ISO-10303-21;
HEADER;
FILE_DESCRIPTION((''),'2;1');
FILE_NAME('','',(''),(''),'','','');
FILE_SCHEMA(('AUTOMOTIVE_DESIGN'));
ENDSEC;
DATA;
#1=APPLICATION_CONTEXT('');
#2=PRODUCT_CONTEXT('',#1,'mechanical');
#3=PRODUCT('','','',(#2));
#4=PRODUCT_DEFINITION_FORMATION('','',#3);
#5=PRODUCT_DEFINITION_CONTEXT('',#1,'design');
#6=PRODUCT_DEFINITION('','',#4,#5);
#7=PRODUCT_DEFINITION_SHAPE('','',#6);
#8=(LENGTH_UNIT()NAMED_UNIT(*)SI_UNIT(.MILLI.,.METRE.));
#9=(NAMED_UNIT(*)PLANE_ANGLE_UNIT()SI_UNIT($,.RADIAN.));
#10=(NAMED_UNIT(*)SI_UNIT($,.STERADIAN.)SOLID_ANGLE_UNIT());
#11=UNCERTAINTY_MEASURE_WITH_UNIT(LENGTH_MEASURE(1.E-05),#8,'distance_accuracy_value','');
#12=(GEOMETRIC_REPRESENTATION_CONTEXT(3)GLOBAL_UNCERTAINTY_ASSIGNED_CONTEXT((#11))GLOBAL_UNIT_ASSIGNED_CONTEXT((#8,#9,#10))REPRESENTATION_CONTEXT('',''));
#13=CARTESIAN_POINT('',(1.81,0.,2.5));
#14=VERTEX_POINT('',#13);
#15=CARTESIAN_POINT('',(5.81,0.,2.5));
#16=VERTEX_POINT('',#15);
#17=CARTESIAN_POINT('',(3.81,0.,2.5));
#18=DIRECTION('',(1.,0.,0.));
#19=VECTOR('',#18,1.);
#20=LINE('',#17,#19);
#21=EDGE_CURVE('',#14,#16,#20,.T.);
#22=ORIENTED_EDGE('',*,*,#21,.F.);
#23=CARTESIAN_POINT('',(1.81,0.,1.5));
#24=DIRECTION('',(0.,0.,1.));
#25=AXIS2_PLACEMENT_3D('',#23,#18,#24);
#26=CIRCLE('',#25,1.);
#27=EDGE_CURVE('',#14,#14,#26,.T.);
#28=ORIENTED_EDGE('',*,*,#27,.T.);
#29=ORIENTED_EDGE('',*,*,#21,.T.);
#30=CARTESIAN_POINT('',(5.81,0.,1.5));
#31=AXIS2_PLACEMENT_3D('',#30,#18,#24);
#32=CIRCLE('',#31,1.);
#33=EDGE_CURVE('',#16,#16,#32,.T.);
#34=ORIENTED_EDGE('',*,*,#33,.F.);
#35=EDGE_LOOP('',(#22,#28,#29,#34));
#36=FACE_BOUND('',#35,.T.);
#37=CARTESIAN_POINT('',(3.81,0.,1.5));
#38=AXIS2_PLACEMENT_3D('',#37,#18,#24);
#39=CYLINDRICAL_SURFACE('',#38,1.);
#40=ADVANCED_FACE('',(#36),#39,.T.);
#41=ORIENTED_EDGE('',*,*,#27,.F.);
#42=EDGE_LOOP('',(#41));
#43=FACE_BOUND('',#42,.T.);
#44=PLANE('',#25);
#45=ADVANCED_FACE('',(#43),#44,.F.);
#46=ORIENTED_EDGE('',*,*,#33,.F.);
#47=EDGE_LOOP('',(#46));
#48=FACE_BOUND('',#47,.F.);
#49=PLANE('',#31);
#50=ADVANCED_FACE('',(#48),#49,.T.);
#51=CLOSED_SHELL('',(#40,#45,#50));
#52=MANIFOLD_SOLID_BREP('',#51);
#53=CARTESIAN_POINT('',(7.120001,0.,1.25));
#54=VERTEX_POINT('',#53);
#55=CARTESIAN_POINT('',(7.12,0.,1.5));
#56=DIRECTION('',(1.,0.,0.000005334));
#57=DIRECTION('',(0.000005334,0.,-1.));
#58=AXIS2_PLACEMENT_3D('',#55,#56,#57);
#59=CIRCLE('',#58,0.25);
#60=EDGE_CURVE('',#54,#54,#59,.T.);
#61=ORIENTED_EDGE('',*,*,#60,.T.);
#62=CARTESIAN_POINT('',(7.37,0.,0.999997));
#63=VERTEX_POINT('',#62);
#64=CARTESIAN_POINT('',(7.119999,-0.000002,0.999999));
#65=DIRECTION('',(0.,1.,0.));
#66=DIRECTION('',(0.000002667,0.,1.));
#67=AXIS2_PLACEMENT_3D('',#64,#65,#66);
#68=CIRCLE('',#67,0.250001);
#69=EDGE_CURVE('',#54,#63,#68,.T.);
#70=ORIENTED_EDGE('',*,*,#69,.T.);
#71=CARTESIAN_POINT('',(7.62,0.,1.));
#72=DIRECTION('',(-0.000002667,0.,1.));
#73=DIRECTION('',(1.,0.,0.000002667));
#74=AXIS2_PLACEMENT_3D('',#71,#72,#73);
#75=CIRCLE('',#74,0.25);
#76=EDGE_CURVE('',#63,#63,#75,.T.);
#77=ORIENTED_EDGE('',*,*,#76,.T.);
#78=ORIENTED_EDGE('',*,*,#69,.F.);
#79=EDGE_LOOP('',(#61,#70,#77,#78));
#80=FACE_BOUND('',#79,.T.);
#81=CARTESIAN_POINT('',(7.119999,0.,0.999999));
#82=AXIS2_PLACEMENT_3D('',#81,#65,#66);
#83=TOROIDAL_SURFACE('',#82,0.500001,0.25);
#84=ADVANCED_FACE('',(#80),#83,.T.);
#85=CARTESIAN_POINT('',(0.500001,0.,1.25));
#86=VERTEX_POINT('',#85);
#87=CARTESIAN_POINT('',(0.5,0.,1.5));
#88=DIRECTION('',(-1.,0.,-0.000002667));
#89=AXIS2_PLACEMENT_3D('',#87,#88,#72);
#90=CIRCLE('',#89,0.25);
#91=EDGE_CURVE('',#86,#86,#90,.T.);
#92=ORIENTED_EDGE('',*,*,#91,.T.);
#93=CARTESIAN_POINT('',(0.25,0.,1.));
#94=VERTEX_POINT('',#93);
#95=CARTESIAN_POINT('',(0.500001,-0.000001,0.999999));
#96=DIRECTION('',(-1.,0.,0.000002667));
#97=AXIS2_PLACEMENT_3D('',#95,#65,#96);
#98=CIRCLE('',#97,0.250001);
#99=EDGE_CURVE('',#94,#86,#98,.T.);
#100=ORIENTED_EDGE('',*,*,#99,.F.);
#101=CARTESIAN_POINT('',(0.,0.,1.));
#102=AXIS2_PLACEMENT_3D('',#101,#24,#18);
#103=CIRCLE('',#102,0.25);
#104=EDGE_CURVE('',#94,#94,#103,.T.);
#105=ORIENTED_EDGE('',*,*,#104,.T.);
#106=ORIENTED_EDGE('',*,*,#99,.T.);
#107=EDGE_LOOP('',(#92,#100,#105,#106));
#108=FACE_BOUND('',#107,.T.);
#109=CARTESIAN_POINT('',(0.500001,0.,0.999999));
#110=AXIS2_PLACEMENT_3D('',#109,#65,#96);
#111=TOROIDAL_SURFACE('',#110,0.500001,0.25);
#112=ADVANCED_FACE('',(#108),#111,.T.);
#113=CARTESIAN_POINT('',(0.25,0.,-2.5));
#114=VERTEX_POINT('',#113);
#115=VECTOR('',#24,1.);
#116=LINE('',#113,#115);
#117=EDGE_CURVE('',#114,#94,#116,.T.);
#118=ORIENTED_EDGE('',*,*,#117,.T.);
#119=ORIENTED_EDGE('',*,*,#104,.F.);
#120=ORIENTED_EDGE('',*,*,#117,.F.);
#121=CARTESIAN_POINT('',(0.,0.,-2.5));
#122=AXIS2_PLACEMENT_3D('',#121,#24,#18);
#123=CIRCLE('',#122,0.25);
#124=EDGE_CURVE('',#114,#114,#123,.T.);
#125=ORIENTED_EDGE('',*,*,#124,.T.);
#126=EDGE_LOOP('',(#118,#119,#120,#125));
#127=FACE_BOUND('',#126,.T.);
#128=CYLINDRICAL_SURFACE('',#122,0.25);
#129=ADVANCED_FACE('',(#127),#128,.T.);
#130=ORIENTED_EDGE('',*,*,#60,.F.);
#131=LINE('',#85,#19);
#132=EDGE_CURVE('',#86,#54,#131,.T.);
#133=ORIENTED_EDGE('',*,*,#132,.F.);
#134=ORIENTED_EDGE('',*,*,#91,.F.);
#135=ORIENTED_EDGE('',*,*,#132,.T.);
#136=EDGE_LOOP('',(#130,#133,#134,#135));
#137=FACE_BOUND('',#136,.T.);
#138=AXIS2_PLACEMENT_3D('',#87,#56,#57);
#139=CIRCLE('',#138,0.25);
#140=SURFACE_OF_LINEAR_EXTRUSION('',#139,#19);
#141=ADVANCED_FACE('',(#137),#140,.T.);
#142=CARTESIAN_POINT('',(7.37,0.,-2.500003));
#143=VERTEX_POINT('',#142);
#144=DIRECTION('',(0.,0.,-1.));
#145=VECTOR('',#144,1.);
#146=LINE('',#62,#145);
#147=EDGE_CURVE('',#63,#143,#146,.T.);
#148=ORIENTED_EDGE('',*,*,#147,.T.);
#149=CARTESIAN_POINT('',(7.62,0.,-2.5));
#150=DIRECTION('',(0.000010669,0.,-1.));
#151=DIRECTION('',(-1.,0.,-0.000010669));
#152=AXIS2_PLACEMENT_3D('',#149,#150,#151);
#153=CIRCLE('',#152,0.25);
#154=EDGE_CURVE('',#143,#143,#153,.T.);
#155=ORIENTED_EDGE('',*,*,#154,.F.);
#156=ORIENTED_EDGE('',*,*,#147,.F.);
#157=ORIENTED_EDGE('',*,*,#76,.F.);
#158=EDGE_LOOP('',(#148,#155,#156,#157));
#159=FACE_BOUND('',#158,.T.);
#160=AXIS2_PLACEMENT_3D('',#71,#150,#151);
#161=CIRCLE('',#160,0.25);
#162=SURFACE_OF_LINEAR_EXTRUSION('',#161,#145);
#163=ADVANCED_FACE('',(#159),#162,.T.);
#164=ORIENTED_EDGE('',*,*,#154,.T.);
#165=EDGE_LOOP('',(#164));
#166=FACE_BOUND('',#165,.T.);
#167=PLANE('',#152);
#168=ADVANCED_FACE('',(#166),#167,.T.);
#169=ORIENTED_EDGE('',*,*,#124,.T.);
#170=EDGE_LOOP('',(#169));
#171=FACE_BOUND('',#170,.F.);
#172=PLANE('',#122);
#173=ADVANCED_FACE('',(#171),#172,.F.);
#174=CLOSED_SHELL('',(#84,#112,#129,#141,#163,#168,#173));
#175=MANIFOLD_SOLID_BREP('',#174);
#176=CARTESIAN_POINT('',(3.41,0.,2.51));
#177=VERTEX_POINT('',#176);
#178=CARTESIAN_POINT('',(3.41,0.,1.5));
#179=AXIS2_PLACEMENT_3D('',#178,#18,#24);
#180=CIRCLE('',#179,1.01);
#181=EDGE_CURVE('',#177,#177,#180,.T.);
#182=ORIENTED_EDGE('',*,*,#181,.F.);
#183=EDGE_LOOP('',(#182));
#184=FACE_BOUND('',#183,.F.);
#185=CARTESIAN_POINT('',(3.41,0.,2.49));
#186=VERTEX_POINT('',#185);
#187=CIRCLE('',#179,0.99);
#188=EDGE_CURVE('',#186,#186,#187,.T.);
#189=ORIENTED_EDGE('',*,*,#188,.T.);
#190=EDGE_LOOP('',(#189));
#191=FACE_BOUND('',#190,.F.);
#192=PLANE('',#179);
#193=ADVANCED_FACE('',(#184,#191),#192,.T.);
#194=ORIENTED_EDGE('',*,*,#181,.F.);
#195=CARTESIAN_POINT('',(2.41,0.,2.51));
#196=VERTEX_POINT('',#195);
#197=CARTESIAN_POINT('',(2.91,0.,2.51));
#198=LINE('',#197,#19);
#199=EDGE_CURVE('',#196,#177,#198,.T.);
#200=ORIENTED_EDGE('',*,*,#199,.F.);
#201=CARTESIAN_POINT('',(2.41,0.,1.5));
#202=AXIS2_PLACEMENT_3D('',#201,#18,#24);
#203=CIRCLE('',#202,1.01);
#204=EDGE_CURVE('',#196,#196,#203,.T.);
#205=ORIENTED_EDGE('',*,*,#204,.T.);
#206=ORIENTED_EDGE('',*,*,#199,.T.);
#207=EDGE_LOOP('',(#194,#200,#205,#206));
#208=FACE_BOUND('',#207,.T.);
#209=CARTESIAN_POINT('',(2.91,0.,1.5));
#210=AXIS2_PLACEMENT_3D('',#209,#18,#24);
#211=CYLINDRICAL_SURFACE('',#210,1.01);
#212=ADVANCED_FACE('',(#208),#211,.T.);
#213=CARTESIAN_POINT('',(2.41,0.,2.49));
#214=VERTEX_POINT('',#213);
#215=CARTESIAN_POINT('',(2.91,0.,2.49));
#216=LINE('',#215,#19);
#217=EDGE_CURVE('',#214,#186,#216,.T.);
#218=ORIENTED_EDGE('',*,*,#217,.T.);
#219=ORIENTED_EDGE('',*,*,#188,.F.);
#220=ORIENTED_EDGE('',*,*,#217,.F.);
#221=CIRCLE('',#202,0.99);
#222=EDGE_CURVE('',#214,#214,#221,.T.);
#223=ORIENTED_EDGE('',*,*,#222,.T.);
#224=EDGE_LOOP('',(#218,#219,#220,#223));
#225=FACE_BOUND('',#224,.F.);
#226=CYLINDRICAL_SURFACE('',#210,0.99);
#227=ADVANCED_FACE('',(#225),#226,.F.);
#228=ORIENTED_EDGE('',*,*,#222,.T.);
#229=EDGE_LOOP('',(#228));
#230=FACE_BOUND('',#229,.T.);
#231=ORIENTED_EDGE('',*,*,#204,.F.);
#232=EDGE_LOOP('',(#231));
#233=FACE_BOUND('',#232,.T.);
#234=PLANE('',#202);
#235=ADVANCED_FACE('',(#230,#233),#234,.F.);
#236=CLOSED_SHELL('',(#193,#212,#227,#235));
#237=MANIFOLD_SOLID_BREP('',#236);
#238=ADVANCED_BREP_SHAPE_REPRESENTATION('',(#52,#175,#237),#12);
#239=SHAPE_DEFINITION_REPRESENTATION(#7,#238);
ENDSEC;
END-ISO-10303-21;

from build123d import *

# Parameters (mm, degrees)
SKETCH002_W = 4
SKETCH002_H = 1
SKETCH003_W = 1
SKETCH003_H = 0.02
SKETCH_R    = 0.25


with BuildPart() as revolution:
    # Sketch002 → Revolution (revolve)
    with BuildSketch(Plane.XZ):
        with Locations((3.81, 2)):
            Rectangle(SKETCH002_W, SKETCH002_H)
    revolve(axis=Axis((1.81, 0, 1.5), (1, 0, 0)))


with BuildPart() as revolution001:
    # Sketch003 → Revolution001 (revolve)
    with BuildSketch(Plane.XZ):
        with Locations((2.91, 2.5)):
            Rectangle(SKETCH003_W, SKETCH003_H)
    revolve(axis=Axis((0, 0, 1.5), (1, 0, 0)))


with BuildPart() as sweep_body:
    # Sweep: sweep along a path in Sketch001
    with BuildLine(Plane.XZ) as sweep_path:
        Line((0, -2.5), (0, 1))
        ThreePointArc((0, 1), (0.146447, 1.353553), (0.5, 1.5))
        Line((0.5, 1.5), (7.12, 1.5))
        ThreePointArc((7.12, 1.5), (7.473553, 1.353553), (7.62, 1))
        Line((7.62, 1), (7.62, -2.5))
    # Sketch → Sweep (sweep)
    with BuildSketch(Plane.XY.offset(-2)):
        Circle(SKETCH_R)
    sweep(path=sweep_path.line)


solid = Compound([revolution.part, revolution001.part, sweep_body.part])
